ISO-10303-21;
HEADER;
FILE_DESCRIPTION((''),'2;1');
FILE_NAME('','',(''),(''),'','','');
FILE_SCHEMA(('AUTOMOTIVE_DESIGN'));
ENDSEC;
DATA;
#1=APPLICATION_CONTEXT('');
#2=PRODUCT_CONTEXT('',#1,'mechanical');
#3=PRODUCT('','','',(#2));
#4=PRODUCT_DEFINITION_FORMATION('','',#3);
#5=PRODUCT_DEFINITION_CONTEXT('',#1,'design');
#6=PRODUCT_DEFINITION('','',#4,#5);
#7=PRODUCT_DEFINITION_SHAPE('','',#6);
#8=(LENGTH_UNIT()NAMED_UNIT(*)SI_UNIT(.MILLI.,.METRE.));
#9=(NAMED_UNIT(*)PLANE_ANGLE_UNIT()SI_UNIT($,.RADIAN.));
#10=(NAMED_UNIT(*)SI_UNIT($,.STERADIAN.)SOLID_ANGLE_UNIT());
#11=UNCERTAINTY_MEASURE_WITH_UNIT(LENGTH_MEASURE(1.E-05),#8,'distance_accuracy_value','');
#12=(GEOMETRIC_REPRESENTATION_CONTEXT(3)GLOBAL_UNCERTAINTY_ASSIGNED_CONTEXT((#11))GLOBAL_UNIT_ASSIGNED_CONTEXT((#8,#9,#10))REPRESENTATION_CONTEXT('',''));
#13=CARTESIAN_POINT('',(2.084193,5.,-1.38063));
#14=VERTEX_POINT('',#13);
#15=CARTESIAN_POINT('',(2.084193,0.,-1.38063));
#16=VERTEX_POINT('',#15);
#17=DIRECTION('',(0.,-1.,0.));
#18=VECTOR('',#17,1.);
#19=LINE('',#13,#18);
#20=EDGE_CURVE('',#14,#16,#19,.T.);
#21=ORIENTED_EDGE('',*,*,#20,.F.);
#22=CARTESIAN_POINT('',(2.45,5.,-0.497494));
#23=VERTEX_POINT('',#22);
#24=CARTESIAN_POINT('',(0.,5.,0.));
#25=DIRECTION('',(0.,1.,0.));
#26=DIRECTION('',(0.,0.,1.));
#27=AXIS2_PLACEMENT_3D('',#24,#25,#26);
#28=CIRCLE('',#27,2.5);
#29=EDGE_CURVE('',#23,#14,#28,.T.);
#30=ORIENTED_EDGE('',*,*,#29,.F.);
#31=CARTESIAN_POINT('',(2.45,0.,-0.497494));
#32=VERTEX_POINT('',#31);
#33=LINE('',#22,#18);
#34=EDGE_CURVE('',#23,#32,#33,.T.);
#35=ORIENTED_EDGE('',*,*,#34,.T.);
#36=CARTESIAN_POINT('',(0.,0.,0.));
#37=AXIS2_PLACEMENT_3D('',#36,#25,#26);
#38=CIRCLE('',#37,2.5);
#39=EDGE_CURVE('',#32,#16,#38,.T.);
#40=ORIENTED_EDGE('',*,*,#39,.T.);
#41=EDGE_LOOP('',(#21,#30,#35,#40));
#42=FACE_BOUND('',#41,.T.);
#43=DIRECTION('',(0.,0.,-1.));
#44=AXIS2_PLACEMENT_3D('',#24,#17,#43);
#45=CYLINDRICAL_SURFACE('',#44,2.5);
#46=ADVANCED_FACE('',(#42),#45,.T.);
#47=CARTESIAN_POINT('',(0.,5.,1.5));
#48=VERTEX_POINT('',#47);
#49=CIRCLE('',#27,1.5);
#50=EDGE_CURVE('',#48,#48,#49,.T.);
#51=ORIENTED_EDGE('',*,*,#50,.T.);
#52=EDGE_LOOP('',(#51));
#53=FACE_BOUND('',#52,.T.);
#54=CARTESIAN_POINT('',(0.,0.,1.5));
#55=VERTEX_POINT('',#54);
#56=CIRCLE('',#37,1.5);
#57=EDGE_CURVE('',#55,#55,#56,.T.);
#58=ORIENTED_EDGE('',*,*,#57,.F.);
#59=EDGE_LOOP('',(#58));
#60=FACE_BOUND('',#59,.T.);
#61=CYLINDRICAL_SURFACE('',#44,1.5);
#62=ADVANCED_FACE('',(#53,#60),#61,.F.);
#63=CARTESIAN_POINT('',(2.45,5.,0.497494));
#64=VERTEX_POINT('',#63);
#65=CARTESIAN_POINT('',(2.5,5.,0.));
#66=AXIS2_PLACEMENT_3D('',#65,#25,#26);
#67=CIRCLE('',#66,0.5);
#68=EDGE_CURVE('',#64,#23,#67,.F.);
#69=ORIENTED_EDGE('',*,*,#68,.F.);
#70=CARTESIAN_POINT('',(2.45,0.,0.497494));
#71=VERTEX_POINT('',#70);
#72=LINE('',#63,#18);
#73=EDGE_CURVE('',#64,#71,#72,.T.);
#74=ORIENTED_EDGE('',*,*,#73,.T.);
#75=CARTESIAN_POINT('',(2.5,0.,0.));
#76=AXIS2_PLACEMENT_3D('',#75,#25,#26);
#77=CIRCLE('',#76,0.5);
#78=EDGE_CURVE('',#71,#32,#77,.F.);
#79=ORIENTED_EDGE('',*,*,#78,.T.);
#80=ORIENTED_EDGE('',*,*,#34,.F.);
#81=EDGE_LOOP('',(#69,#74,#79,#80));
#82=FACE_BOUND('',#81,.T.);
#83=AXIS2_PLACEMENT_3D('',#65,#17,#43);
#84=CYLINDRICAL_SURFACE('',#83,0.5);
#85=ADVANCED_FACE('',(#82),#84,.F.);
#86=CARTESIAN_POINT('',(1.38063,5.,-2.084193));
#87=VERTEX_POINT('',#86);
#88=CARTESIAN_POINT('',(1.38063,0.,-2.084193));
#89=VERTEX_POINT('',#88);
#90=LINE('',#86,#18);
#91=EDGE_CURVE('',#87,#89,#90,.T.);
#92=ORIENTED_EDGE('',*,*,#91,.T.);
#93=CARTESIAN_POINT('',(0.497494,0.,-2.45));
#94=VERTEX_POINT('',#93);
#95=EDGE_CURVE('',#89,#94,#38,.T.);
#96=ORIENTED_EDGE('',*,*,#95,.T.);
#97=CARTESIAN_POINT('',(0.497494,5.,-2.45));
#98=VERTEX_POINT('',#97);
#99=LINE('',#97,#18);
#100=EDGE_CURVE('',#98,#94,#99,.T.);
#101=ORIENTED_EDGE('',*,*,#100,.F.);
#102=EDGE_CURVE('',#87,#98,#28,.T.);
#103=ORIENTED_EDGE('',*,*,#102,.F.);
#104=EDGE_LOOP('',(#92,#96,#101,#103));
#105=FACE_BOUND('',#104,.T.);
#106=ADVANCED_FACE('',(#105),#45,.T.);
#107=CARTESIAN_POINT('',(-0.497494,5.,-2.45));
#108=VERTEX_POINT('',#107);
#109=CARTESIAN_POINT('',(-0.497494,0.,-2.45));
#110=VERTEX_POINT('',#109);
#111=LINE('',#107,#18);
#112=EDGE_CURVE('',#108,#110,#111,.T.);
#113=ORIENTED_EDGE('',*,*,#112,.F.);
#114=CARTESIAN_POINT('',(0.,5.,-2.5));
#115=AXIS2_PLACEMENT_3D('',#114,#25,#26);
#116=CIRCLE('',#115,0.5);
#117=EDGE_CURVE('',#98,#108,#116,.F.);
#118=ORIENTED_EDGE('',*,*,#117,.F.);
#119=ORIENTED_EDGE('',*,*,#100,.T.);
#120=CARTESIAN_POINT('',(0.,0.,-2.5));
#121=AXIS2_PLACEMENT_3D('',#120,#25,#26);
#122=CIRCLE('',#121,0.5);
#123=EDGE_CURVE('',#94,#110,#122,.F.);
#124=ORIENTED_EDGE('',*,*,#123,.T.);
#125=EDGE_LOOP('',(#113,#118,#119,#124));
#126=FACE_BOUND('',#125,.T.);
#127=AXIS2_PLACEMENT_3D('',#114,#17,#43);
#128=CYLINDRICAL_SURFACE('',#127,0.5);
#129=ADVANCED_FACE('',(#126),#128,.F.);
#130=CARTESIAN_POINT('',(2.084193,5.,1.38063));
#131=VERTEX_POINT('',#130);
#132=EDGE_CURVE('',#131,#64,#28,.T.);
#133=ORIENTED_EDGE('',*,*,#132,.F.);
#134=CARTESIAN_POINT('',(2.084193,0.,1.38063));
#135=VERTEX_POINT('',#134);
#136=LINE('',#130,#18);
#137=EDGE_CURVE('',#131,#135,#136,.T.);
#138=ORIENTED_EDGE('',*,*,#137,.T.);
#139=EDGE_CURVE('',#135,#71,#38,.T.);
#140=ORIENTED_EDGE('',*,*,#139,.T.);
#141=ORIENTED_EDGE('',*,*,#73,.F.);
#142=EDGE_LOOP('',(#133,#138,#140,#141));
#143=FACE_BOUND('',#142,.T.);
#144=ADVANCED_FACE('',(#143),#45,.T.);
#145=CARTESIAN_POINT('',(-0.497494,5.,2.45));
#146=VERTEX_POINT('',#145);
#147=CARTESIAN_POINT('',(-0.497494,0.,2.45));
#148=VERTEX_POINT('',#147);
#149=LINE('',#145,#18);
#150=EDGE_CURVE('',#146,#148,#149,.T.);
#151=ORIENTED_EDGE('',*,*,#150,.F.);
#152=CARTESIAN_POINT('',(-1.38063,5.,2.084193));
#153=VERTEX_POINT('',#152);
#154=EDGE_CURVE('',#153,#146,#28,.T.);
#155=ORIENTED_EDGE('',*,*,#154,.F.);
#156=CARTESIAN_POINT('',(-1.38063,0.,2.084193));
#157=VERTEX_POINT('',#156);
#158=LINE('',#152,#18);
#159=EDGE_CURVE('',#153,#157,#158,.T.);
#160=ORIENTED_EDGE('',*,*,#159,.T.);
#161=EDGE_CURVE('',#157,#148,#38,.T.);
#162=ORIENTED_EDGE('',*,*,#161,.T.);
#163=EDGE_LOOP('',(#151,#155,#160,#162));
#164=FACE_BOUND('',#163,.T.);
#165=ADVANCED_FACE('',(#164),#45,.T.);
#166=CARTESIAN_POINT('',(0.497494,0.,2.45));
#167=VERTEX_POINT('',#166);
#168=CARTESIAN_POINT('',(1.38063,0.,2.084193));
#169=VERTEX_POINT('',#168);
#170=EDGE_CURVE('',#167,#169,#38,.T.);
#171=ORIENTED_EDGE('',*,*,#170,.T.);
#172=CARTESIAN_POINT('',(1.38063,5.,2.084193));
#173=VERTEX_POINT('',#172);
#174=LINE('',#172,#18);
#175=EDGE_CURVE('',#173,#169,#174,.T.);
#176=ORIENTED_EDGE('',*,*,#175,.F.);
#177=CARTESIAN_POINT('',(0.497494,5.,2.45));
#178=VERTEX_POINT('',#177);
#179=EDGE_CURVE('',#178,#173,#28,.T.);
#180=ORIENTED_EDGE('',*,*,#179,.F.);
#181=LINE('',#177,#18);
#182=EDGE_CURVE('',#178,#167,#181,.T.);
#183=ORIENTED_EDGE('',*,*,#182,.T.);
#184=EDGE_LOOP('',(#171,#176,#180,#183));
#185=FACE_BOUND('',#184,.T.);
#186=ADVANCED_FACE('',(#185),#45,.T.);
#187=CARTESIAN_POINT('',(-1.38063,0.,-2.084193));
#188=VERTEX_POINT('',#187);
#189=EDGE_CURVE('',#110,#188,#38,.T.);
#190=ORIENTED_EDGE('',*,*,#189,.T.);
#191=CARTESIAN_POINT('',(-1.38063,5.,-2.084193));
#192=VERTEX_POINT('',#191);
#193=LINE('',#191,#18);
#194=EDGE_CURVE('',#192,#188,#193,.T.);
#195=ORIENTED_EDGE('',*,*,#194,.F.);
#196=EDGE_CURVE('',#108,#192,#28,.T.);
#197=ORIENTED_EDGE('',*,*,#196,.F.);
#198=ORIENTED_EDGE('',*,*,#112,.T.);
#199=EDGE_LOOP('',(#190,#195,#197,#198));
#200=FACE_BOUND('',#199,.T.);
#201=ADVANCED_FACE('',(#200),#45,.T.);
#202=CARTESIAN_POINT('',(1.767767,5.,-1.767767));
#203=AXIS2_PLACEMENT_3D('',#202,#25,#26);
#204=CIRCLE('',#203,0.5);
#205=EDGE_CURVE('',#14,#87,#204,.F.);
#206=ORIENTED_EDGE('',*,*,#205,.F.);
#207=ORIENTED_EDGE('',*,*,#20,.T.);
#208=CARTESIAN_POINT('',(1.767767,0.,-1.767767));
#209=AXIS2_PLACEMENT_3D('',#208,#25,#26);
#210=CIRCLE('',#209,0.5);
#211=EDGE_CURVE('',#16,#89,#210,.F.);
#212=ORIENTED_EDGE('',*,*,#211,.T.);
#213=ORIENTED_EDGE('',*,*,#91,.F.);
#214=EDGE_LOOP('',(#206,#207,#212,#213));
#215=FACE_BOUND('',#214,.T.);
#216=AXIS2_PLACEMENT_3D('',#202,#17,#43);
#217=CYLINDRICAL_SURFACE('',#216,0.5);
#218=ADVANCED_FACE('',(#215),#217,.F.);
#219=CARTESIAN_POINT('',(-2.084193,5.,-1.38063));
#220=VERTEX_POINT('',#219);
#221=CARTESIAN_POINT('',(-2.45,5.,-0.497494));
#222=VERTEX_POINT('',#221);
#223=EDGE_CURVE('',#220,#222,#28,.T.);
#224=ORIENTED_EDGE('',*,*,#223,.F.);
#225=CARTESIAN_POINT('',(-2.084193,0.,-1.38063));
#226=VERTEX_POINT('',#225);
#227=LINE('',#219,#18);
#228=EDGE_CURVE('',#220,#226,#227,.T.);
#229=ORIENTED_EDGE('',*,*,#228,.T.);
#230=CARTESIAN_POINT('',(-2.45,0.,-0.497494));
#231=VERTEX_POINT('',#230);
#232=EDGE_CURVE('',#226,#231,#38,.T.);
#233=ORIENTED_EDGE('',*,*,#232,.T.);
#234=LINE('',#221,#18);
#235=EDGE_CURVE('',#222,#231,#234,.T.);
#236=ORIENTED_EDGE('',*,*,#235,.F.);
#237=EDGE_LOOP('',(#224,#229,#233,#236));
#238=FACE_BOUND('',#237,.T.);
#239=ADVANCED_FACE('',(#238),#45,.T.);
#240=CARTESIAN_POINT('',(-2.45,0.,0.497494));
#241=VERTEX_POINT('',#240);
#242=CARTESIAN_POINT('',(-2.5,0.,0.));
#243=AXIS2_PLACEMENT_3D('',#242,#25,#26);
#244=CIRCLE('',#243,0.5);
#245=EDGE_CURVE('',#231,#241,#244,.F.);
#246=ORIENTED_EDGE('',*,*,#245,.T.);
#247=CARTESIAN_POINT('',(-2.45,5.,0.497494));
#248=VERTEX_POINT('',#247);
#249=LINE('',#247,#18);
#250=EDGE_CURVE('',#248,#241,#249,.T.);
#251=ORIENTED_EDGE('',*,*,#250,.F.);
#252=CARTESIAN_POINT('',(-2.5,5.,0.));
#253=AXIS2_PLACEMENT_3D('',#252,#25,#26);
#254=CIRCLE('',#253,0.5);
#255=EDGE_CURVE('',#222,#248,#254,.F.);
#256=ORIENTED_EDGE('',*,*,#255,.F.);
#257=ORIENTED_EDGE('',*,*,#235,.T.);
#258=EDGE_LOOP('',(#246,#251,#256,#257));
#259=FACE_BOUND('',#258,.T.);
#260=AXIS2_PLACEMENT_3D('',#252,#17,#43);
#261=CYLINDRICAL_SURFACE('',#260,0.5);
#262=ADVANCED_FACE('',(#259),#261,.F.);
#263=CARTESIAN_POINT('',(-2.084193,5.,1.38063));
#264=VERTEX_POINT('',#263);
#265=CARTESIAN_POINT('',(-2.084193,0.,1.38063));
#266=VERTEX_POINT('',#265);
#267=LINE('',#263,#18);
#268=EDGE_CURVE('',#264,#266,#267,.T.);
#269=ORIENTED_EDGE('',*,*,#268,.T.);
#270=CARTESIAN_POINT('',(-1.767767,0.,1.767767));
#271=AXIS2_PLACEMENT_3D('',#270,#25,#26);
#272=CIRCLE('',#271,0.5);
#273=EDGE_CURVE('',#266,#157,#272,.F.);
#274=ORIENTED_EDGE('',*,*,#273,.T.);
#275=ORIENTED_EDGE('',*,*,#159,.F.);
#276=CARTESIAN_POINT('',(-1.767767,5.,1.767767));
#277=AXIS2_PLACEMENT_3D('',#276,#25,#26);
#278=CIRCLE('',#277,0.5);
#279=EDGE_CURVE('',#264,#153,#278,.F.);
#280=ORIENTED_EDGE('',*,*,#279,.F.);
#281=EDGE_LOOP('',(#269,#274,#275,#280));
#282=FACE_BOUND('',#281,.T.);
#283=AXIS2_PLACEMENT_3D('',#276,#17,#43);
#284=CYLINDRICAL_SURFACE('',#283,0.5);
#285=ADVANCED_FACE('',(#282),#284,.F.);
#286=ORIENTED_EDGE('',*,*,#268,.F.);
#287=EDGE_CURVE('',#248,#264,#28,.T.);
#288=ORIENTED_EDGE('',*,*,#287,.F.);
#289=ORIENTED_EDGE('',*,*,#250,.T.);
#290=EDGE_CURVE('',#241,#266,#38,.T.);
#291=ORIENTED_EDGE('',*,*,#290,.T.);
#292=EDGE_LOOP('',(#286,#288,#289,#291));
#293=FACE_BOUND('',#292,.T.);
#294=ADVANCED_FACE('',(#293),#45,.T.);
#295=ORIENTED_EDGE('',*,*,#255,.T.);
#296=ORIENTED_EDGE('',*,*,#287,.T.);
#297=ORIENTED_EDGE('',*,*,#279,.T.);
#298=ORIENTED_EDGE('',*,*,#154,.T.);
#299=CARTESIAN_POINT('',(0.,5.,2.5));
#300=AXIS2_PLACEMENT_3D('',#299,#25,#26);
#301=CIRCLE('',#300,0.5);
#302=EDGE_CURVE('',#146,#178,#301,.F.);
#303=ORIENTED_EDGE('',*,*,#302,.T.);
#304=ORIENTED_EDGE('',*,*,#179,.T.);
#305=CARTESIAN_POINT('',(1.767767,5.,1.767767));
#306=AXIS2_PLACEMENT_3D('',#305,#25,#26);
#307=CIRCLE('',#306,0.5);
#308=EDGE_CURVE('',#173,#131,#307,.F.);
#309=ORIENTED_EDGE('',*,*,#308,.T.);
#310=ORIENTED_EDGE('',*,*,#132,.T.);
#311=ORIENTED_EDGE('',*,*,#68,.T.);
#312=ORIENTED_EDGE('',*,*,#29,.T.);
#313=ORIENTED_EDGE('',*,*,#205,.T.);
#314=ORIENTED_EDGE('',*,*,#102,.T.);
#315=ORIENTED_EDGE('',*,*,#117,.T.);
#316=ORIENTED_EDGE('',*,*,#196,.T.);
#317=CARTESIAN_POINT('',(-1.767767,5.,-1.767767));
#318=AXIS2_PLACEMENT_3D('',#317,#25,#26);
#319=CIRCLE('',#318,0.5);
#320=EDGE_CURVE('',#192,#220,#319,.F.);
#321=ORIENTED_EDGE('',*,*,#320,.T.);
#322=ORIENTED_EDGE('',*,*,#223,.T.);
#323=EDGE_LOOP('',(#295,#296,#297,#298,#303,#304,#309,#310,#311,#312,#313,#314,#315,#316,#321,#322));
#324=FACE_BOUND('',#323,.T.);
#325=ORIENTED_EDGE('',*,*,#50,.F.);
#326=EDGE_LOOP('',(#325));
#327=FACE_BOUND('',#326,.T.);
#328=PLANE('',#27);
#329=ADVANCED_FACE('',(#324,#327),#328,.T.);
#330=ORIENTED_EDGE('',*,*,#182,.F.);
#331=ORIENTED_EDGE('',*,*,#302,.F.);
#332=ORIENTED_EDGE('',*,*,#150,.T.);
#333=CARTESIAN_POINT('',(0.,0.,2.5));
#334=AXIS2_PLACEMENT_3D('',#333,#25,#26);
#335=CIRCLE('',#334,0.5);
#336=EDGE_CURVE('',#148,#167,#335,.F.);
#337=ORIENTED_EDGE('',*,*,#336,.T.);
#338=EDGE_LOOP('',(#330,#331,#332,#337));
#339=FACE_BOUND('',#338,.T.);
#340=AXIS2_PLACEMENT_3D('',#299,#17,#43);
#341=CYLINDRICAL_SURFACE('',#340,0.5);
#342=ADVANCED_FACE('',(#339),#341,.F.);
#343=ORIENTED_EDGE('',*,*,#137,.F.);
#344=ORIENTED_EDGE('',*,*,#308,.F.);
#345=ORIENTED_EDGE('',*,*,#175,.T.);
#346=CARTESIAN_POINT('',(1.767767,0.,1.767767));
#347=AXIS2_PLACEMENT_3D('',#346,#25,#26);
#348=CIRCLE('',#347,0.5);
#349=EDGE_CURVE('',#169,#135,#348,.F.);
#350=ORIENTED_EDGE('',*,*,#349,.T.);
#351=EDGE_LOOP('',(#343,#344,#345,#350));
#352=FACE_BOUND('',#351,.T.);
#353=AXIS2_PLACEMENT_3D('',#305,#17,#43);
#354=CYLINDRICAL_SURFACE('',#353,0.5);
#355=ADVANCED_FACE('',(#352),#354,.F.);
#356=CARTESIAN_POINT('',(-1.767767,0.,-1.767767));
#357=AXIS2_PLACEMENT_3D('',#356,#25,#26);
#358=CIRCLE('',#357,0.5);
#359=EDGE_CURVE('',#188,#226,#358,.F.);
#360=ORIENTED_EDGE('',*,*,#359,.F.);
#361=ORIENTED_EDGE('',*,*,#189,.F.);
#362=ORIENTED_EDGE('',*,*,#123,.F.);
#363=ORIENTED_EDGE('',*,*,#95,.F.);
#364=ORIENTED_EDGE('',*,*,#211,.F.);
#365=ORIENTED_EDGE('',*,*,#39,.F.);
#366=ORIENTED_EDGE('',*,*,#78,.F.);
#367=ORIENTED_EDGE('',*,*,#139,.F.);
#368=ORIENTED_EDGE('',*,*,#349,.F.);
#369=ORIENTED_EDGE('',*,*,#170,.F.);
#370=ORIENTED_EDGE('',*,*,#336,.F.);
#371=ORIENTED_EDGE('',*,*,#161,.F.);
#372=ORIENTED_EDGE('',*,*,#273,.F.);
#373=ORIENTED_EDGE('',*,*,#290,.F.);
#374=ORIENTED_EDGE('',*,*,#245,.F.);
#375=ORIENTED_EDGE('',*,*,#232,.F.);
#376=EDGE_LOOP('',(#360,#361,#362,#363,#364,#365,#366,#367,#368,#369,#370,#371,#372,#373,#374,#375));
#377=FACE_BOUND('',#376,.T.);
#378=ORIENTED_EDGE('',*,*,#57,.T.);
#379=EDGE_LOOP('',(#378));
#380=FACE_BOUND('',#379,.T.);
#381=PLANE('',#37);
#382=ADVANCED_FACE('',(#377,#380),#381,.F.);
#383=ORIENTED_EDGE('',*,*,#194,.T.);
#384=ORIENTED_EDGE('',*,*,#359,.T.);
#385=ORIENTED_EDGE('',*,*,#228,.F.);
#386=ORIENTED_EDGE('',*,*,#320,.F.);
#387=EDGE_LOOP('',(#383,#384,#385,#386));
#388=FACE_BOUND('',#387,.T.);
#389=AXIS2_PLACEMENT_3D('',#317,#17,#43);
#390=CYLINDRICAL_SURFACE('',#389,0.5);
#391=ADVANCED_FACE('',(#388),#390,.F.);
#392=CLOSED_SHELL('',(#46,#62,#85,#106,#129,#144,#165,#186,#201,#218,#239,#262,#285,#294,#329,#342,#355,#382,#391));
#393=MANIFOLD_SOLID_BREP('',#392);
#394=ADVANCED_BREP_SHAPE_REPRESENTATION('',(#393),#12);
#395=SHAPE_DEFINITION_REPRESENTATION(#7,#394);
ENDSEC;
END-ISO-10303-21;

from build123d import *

# Parameters (mm, degrees)
BOSS_EXTRUDE1_DEPTH = 5


with BuildPart() as part:
    # Sketch1 → Boss-Extrude1 (new body)
    with BuildSketch(Plane(origin=(0, 0, 0), x_dir=(1, 0, 0), z_dir=(0, 1, 0))):
        with BuildLine():
            Line((-1.5, 0), (-2, 0))
            ThreePointArc((-2, 0), (-2.129190076, -0.335410197), (-2.45, -0.497493719))
            ThreePointArc((-2.45, -0.497493719), (-2.309698831, -0.956708581), (-2.084192796, -1.380630432))
            ThreePointArc((-2.084192796, -1.380630432), (-1.414213562, -1.414213562), (-1.380630432, -2.084192796))
            ThreePointArc((-1.380630432, -2.084192796), (-0.956708581, -2.309698831), (-0.497493719, -2.45))
            ThreePointArc((-0.497493719, -2.45), (0, -2), (0.497493719, -2.45))
            ThreePointArc((0.497493719, -2.45), (0.956708581, -2.309698831), (1.380630432, -2.084192796))
            ThreePointArc((1.380630432, -2.084192796), (1.414213562, -1.414213562), (2.084192796, -1.380630432))
            ThreePointArc((2.084192796, -1.380630432), (2.309698831, -0.956708581), (2.45, -0.497493719))
            ThreePointArc((2.45, -0.497493719), (2.129190076, -0.335410197), (2, 0))
            Line((2, 0), (1.5, 0))
            ThreePointArc((1.5, 0), (0, -1.5), (-1.5, 0))
        make_face()
        with BuildLine():
            ThreePointArc((-2.45, 0.497493719), (-2.129190076, 0.335410197), (-2, 0))
            Line((-2, 0), (-1.5, 0))
            ThreePointArc((-1.5, 0), (0, 1.5), (1.5, 0))
            Line((1.5, 0), (2, 0))
            ThreePointArc((2, 0), (2.129190076, 0.335410197), (2.45, 0.497493719))
            ThreePointArc((2.45, 0.497493719), (2.309698831, 0.956708581), (2.084192796, 1.380630432))
            ThreePointArc((2.084192796, 1.380630432), (1.414213562, 1.414213562), (1.380630432, 2.084192796))
            ThreePointArc((1.380630432, 2.084192796), (0.956708581, 2.309698831), (0.497493719, 2.45))
            ThreePointArc((0.497493719, 2.45), (0, 2), (-0.497493719, 2.45))
            ThreePointArc((-0.497493719, 2.45), (-0.956708581, 2.309698831), (-1.380630432, 2.084192796))
            ThreePointArc((-1.380630432, 2.084192796), (-1.414213562, 1.414213562), (-2.084192796, 1.380630432))
            ThreePointArc((-2.084192796, 1.380630432), (-2.309698831, 0.956708581), (-2.45, 0.497493719))
        make_face()
    extrude(amount=BOSS_EXTRUDE1_DEPTH)


solid = part.part
